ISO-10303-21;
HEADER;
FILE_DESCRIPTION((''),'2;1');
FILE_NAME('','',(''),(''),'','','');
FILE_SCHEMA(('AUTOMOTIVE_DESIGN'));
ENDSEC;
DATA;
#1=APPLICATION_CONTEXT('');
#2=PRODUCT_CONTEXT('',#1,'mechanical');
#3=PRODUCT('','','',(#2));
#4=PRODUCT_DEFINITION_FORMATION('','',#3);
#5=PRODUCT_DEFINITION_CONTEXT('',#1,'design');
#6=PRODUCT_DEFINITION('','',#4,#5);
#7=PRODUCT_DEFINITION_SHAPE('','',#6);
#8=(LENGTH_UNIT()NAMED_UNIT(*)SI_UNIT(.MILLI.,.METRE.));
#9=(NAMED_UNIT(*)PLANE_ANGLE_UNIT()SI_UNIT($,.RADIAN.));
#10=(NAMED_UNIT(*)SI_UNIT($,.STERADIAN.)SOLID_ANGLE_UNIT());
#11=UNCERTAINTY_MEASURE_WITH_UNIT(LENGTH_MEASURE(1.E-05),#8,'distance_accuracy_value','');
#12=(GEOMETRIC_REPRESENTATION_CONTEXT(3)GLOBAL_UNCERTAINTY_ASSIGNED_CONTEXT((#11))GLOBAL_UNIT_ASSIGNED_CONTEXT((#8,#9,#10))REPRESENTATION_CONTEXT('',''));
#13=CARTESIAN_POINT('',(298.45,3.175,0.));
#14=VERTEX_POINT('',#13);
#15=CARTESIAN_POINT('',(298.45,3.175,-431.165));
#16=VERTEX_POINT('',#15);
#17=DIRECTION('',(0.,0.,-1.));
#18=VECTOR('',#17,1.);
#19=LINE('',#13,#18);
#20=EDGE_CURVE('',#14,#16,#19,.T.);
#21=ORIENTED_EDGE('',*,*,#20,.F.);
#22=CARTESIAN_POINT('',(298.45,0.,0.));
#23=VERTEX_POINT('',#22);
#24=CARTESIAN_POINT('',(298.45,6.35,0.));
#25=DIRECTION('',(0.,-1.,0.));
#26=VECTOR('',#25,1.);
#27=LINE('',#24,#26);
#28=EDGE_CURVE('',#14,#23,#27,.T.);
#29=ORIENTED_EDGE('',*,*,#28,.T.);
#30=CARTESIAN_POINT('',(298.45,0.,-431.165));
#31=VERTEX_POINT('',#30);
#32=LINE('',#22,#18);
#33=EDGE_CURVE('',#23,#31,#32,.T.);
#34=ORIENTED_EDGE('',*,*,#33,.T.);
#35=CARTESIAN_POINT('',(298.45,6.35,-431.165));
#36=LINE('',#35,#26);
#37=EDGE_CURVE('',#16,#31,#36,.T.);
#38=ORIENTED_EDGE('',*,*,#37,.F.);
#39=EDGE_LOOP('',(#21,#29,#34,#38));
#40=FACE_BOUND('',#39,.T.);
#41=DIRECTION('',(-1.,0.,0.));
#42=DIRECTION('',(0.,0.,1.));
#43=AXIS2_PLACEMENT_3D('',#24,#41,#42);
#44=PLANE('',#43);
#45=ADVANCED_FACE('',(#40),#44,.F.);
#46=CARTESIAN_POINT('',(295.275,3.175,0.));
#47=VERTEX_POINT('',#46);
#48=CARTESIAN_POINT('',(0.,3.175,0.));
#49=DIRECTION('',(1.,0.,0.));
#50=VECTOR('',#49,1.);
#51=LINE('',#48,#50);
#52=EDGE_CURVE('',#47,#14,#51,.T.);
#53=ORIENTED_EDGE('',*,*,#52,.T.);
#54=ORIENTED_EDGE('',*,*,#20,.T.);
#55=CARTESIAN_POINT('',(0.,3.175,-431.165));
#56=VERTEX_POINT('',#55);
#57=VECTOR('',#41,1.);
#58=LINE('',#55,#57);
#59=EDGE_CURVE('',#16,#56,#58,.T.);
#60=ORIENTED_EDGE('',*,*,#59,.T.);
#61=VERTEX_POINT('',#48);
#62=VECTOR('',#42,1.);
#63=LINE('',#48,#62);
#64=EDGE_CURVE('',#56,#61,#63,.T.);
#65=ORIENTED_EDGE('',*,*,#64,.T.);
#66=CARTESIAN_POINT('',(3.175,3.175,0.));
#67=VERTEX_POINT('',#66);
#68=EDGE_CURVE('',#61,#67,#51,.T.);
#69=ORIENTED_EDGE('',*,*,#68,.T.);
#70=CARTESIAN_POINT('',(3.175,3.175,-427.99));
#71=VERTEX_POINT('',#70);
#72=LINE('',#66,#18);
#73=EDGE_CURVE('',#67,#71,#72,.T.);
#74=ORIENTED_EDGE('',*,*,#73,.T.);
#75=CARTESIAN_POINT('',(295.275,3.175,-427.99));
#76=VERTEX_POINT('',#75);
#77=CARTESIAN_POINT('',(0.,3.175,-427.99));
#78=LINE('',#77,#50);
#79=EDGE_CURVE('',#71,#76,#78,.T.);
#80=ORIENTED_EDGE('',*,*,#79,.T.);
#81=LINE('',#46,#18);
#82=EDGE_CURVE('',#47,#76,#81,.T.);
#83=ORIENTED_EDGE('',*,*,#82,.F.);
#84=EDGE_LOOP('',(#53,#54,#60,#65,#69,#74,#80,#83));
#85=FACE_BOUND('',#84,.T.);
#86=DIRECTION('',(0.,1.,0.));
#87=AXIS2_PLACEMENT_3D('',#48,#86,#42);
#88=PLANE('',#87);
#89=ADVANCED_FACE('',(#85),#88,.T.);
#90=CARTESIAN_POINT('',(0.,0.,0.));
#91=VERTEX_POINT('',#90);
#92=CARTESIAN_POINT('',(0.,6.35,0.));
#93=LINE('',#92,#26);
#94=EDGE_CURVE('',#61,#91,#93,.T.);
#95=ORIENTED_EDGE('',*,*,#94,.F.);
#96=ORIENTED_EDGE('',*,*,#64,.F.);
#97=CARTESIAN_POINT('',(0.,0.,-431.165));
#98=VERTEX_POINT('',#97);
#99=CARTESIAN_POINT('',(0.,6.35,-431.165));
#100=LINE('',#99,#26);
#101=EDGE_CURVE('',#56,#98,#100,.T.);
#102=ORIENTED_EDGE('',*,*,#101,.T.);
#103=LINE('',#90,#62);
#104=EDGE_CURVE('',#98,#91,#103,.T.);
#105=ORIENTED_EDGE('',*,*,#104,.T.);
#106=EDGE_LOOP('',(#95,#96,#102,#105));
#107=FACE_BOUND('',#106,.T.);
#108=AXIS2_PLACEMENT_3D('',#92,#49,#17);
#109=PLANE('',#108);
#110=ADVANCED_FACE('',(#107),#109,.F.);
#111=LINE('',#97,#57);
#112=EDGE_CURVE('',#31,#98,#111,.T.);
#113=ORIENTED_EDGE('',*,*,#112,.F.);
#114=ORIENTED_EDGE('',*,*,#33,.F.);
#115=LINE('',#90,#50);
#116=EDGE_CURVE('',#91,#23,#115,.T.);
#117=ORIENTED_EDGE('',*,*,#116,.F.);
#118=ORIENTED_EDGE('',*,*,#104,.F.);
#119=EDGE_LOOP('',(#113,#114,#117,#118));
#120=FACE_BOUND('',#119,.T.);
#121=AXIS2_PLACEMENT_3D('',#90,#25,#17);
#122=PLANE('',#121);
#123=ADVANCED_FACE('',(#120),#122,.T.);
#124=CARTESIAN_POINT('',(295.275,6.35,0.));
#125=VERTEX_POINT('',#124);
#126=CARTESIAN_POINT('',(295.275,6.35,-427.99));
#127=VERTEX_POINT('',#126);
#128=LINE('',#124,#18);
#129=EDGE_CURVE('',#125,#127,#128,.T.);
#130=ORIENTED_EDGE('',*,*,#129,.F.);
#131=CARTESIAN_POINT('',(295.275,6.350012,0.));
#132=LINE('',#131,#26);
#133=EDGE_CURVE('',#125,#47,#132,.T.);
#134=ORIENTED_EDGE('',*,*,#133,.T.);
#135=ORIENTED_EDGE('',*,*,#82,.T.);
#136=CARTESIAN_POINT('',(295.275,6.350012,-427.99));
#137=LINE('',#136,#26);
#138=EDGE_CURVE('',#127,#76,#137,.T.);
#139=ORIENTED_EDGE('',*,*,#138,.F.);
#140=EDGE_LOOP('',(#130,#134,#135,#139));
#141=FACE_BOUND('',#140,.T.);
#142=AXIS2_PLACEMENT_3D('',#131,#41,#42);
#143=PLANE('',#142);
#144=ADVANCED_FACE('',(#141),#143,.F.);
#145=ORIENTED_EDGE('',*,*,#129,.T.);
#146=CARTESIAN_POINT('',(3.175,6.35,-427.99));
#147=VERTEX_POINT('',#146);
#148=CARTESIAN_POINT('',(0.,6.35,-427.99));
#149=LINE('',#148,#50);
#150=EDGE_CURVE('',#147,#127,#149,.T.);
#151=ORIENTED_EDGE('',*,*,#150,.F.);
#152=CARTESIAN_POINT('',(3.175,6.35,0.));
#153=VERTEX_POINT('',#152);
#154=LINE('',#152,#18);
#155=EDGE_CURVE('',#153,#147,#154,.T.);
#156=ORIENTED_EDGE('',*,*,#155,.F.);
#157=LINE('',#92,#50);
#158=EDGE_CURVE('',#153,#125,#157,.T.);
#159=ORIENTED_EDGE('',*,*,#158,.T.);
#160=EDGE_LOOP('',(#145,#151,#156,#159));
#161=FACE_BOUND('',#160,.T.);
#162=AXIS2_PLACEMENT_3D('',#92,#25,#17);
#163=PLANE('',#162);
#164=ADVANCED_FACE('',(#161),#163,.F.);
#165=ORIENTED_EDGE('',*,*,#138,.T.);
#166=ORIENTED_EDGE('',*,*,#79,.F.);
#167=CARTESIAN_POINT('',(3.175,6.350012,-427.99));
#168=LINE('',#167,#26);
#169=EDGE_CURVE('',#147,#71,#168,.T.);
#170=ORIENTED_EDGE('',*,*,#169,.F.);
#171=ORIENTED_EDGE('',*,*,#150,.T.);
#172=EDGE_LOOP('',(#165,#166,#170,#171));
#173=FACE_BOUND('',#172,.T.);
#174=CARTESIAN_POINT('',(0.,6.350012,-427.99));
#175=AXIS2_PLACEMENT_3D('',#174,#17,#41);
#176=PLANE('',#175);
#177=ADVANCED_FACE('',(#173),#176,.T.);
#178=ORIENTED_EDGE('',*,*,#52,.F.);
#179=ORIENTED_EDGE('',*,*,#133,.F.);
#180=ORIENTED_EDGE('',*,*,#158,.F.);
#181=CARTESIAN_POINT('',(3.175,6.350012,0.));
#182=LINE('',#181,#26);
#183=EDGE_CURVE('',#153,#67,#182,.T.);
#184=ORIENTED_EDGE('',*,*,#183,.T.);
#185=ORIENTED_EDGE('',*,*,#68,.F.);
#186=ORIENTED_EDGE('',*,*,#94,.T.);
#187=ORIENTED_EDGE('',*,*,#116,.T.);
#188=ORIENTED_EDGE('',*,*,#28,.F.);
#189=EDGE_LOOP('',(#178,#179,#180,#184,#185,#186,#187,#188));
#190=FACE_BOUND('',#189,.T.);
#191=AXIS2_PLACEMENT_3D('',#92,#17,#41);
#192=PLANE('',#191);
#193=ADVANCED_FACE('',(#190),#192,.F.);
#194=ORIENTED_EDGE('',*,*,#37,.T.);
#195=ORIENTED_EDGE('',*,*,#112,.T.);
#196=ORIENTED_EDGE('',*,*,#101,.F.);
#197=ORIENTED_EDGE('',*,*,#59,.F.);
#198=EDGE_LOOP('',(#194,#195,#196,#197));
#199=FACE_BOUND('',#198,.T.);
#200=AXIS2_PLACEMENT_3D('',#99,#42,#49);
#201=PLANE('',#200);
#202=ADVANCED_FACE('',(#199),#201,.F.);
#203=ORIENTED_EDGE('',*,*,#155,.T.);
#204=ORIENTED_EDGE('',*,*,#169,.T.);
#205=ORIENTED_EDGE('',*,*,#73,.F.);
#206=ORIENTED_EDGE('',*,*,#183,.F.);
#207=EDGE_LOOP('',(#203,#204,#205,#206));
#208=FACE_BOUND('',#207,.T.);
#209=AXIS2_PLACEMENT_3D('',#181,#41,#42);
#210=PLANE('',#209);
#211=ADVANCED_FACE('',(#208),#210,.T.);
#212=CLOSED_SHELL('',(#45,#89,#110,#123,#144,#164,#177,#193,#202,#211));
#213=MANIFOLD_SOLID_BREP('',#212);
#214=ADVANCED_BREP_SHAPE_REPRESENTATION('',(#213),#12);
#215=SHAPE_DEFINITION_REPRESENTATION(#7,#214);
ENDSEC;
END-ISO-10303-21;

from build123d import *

# Parameters (mm, degrees)
SKETCH1_W               = 298.45
SKETCH1_H               = 431.165
BOSS_EXTRUDE1_DEPTH     = 6.35
CUT_EXTRUDE1_DEPTH      = 525.419662317
CUT_EXTRUDE1_DEPTH_BACK = 3.175


with BuildPart() as part:
    # Sketch1 → Boss-Extrude1 (new body)
    with BuildSketch(Plane(origin=(0, 0, 0), x_dir=(1, 0, 0), z_dir=(0, 1, 0))):
        with Locations((149.225, 215.5825)):
            Rectangle(SKETCH1_W, SKETCH1_H)
    extrude(amount=BOSS_EXTRUDE1_DEPTH)

    # Sketch2 → Cut-Extrude1 (cut, two sides: drawn at the far end of the back side and taken through both)
    with BuildSketch(Plane(origin=(0, 6.35, 0), x_dir=(1, 0, 0), z_dir=(0, 1, 0)).offset(-CUT_EXTRUDE1_DEPTH_BACK)):
        Polygon((0, 0), (3.175, 0), (3.175, 427.99), (295.275, 427.99), (295.275, 0), (298.45, 0), (298.45, 431.165), (0, 431.165), align=None)
    extrude(amount=CUT_EXTRUDE1_DEPTH + CUT_EXTRUDE1_DEPTH_BACK, mode=Mode.SUBTRACT)


solid = part.part
